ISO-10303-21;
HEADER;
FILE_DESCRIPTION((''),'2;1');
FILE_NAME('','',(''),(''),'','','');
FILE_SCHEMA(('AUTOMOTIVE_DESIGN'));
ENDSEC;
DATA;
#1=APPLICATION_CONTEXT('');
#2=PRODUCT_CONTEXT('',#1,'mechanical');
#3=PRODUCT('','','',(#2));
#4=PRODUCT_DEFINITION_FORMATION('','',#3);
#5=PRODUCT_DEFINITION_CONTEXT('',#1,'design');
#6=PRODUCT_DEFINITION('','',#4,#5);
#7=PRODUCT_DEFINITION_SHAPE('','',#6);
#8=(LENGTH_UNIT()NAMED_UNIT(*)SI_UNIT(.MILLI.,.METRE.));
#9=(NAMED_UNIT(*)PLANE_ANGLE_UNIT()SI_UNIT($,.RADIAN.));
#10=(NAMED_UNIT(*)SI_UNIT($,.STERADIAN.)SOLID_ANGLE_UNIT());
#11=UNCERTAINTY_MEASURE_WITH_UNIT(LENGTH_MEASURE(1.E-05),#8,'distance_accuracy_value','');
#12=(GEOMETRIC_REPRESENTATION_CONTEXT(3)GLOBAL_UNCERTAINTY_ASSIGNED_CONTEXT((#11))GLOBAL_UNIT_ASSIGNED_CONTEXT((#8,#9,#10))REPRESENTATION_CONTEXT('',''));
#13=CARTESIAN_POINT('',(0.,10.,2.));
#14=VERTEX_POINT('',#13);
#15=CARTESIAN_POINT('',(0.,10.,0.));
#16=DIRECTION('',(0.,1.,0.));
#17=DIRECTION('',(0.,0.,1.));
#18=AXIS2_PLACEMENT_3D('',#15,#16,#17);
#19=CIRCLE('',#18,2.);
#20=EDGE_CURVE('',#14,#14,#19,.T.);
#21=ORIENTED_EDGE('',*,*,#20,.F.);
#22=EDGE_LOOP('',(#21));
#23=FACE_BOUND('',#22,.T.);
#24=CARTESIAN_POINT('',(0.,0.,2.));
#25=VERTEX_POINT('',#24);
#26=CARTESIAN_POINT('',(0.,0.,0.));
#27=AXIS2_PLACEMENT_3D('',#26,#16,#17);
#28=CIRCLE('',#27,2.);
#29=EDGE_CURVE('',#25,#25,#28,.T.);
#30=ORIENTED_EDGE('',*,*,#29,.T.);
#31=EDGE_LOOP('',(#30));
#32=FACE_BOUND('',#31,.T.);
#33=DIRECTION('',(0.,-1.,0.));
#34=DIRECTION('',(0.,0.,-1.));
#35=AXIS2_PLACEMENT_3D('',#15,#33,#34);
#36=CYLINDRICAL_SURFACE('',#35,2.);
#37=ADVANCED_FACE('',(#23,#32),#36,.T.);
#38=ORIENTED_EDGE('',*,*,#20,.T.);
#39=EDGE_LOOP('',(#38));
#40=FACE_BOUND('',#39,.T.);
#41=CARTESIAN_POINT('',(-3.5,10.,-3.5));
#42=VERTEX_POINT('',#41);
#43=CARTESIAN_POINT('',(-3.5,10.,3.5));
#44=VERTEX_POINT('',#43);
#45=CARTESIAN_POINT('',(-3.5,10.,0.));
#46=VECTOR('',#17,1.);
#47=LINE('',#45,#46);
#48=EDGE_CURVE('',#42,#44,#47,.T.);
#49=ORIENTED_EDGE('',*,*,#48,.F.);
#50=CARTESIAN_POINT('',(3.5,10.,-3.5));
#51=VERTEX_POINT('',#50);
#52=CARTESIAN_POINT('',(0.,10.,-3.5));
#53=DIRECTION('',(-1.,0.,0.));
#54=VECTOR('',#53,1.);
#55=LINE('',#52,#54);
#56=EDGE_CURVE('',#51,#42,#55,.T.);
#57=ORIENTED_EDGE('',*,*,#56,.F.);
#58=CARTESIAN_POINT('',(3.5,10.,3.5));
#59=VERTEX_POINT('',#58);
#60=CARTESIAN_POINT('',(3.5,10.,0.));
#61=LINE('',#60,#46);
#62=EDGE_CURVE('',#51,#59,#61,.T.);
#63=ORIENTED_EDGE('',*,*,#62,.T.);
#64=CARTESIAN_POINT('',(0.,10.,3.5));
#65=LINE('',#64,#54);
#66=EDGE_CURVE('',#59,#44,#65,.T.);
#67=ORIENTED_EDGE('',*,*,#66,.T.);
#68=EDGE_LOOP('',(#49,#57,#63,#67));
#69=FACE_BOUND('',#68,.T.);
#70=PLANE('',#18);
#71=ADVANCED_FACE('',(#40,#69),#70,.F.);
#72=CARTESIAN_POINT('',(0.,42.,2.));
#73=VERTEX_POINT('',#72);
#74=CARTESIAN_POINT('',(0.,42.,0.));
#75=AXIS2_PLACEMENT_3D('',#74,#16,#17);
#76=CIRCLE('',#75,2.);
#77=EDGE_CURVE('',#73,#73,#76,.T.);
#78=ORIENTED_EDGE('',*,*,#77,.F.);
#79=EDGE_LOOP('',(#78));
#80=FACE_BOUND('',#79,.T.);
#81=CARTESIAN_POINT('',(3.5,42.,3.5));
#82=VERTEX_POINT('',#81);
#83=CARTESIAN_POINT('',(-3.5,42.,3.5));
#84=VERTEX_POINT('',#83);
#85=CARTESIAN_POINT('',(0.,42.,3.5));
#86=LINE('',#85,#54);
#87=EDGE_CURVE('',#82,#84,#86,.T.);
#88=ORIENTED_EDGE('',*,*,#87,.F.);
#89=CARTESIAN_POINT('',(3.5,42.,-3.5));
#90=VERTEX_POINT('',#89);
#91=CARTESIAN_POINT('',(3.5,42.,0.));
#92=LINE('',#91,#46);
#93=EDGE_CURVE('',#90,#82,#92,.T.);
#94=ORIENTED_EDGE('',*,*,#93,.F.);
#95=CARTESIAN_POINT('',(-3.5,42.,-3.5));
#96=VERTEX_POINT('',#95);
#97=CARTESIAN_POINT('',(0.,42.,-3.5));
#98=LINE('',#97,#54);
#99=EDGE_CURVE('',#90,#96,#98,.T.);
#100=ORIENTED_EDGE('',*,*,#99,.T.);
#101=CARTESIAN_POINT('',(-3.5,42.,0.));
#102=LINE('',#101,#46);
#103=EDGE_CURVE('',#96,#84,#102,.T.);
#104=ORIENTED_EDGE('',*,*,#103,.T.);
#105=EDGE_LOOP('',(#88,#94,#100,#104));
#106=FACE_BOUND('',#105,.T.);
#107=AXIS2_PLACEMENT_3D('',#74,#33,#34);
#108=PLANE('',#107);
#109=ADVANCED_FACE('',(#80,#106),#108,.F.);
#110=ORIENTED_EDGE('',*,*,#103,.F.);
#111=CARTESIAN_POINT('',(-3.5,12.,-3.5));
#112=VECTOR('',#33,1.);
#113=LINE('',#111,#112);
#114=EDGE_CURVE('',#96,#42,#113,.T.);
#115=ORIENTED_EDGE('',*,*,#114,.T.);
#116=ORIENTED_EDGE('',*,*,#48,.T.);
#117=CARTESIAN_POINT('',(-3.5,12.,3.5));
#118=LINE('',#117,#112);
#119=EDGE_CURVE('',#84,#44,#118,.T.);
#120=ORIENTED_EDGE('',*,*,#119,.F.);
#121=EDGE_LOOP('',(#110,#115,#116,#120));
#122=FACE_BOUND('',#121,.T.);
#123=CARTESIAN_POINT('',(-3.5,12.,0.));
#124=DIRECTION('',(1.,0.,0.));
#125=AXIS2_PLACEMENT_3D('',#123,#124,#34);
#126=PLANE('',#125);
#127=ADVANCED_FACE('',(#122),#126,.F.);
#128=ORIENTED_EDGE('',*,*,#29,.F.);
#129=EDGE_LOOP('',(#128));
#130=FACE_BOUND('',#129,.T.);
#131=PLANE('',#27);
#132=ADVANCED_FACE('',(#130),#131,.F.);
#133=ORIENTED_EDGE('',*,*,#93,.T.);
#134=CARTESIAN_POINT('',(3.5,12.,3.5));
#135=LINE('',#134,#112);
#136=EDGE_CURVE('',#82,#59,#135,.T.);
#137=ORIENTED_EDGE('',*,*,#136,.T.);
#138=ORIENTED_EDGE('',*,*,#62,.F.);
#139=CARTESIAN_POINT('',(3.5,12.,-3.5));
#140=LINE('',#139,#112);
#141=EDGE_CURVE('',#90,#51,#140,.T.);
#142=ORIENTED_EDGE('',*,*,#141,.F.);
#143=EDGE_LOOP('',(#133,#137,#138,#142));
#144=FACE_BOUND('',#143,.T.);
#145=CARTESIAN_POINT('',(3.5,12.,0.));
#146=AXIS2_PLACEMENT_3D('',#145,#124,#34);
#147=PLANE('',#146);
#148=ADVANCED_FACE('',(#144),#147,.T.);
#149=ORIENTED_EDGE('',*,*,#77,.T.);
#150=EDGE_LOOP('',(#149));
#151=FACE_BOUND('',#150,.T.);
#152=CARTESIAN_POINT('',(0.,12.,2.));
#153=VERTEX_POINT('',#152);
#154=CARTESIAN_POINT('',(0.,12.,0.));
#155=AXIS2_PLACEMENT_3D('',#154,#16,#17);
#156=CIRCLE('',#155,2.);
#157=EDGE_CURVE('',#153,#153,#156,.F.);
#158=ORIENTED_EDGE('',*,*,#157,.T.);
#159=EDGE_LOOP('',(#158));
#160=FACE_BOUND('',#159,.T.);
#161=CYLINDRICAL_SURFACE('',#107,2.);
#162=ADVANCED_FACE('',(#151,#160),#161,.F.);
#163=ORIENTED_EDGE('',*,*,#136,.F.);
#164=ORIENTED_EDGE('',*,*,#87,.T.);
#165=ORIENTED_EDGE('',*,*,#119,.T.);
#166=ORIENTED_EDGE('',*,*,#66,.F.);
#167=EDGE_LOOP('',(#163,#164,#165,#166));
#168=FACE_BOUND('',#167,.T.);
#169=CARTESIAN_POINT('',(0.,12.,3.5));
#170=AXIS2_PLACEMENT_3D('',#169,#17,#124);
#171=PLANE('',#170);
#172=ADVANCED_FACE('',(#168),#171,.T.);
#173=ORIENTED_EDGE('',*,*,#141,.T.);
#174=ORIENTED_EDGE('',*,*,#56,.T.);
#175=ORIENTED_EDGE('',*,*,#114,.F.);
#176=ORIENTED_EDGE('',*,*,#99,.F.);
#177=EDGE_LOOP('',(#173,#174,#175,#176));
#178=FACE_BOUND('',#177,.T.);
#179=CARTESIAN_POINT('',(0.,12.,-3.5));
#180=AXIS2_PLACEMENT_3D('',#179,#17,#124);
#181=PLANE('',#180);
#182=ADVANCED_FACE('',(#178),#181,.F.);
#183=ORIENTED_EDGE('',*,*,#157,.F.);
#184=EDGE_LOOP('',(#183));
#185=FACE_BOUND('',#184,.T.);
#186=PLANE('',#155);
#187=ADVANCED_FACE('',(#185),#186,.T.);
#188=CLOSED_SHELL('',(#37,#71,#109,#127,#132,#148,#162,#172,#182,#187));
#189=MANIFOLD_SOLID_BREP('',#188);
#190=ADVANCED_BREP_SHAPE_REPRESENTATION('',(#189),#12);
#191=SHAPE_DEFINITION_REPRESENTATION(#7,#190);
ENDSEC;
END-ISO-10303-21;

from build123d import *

# Parameters (mm, degrees)
SKETCH1_R           = 2
BOSS_EXTRUDE1_DEPTH = 10
BOSS_EXTRUDE2_START = 10
SKETCH1_3_W         = 7
SKETCH1_3_H         = 7
BOSS_EXTRUDE2_DEPTH = 2
BOSS_EXTRUDE3_START = 12
SKETCH1_4_W         = 7
SKETCH1_4_H         = 7
SKETCH1_4_R         = 2
BOSS_EXTRUDE3_DEPTH = 30


with BuildPart() as part:
    # Sketch1 → Boss-Extrude1 (new body)
    with BuildSketch(Plane(origin=(0, 0, 0), x_dir=(1, 0, 0), z_dir=(0, 1, 0))):
        Circle(SKETCH1_R)
    extrude(amount=BOSS_EXTRUDE1_DEPTH)

    # Sketch1<3> → Boss-Extrude2 (add)
    with BuildSketch(Plane(origin=(0, 0, 0), x_dir=(1, 0, 0), z_dir=(0, 1, 0)).offset(BOSS_EXTRUDE2_START)):
        Rectangle(SKETCH1_3_W, SKETCH1_3_H)
    extrude(amount=BOSS_EXTRUDE2_DEPTH)

    # Sketch1<4> → Boss-Extrude3 (add)
    with BuildSketch(Plane(origin=(0, 0, 0), x_dir=(1, 0, 0), z_dir=(0, 1, 0)).offset(BOSS_EXTRUDE3_START)):
        Rectangle(SKETCH1_4_W, SKETCH1_4_H)
        Circle(SKETCH1_4_R, mode=Mode.SUBTRACT)
    extrude(amount=BOSS_EXTRUDE3_DEPTH)


solid = part.part
